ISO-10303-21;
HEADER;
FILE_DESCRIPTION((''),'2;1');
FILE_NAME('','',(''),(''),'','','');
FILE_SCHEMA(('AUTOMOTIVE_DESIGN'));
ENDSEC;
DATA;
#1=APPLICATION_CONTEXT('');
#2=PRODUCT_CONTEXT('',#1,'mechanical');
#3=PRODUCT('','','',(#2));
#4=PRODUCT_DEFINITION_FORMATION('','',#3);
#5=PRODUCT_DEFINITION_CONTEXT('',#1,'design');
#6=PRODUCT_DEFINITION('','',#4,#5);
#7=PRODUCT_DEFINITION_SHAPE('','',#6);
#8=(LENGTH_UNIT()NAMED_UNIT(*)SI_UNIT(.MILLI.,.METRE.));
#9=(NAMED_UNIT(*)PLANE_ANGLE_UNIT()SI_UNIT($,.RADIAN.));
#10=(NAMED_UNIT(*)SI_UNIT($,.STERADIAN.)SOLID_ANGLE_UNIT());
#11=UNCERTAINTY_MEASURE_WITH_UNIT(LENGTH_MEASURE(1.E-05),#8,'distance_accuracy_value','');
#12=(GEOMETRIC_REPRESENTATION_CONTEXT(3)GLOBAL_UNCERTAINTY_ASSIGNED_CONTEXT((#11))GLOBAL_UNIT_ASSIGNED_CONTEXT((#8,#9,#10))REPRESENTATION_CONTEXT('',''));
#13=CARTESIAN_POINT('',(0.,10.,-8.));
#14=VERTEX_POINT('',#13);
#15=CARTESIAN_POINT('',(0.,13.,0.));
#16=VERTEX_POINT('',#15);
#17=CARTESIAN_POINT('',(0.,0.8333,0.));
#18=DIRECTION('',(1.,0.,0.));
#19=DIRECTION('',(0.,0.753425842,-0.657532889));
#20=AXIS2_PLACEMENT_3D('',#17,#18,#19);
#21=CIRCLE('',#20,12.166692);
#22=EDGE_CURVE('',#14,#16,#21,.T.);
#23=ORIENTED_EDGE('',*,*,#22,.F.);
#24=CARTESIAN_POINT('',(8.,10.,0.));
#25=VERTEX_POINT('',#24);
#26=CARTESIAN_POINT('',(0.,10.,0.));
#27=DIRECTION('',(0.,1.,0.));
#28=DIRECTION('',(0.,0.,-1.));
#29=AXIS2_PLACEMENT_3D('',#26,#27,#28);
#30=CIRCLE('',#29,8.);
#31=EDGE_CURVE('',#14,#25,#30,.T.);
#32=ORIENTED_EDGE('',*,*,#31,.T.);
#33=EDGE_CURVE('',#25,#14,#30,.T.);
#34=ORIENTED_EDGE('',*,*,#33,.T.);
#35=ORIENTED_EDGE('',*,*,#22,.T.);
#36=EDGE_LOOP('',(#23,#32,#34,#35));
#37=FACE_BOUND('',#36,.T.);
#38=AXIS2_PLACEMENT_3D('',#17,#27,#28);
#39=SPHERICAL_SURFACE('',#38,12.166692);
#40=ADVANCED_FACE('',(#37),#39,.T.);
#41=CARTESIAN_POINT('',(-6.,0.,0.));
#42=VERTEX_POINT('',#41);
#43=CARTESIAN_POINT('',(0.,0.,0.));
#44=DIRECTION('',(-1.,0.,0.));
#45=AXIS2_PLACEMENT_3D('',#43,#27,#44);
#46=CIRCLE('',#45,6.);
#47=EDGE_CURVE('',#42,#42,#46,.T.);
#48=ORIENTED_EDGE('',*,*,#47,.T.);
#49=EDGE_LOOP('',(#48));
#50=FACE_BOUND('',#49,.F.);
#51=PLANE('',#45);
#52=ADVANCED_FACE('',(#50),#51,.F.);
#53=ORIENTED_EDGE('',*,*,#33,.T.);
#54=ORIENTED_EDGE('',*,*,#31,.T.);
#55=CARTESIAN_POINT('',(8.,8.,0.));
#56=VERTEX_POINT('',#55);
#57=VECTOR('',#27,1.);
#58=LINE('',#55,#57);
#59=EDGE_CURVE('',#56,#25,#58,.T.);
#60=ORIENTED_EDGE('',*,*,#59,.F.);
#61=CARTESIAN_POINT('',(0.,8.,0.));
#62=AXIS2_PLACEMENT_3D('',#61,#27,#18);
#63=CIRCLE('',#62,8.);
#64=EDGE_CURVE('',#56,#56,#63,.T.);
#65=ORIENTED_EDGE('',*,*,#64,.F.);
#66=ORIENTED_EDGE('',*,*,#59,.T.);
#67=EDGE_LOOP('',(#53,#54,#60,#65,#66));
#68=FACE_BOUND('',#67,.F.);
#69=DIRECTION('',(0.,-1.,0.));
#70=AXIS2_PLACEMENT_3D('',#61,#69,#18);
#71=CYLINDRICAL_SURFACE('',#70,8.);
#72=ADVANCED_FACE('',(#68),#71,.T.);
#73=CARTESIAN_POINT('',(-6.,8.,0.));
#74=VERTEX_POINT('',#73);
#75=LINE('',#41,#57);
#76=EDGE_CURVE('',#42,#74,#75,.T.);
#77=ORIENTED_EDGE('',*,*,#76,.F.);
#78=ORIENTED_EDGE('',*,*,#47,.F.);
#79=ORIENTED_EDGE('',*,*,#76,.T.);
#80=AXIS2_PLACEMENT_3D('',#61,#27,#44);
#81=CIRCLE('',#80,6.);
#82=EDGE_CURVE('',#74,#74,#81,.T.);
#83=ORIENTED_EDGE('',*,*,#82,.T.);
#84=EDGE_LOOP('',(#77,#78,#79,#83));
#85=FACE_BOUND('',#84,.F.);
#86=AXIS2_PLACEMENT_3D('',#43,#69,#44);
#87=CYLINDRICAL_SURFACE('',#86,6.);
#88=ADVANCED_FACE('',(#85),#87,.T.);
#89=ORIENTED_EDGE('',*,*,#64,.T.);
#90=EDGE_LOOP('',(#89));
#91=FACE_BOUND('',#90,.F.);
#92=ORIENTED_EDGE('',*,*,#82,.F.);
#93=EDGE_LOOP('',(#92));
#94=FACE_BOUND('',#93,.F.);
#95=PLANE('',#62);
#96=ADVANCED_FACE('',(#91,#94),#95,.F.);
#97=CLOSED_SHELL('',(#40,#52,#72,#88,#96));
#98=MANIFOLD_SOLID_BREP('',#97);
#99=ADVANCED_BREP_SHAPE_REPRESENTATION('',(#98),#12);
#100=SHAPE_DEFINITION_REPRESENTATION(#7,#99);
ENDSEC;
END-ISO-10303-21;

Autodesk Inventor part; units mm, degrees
ref_plane "YZ Plane" through (0, 0, 0) normal (1, 0, 0) x (0, 1, 0)
ref_plane "XZ Plane" through (0, 0, 0) normal (0, 1, 0) x (-1, 0, 0)
ref_plane "XY Plane" through (0, 0, 0) normal (0, 0, 1) x (1, 0, 0)
sketch "Sketch1" plane through (0, 0, 0) normal (0, 1, 0) x (-1, 0, 0)
  circle A0 centre (0, 0) radius 6
  dimension "d0" = 12
extrude "Extrusion1" add sketch "Sketch1" along normal blind 8
sketch "Sketch2" plane through (0, 8, 0) normal (0, 1, 0) x (1, 0, 0)
  circle A0 centre (0, 0) radius 8
  dimension "d3" = 16
extrude "Extrusion2" add sketch "Sketch2" along normal blind 5
sketch "Sketch3" plane through (0, 0, 0) normal (1, 0, 0) x (0, 1, 0)
  line L0 (13, -8) -> (13, 8) projected
  line L1 (8, -8) -> (8, 8) projected
  line L2 (8, 8) -> (13, 8) projected
  line L3 (8, -8) -> (13, -8) projected
  line L4 (8, 8) -> (10, 8)
  line L5 (10, 8) -> (10, 0)
  line L6 (10, 0) -> (13, 0)
  line L7 (13, -8) -> (13, 8) projected
  line L8 (10, 0) -> (10, -8)
  arc A0 (10, -8) -> (10, 8) centre (0.8333, 0) ccw
  point P0 (0, 0)
  dimension "d6" = 2
revolve "Revolution1" cut sketch "Sketch3" angle 360 about axis through (0, 10, 0) along (0, 1, 0) contours L3 A0 L0 | A0 L2 L0
properties part number "lense"
